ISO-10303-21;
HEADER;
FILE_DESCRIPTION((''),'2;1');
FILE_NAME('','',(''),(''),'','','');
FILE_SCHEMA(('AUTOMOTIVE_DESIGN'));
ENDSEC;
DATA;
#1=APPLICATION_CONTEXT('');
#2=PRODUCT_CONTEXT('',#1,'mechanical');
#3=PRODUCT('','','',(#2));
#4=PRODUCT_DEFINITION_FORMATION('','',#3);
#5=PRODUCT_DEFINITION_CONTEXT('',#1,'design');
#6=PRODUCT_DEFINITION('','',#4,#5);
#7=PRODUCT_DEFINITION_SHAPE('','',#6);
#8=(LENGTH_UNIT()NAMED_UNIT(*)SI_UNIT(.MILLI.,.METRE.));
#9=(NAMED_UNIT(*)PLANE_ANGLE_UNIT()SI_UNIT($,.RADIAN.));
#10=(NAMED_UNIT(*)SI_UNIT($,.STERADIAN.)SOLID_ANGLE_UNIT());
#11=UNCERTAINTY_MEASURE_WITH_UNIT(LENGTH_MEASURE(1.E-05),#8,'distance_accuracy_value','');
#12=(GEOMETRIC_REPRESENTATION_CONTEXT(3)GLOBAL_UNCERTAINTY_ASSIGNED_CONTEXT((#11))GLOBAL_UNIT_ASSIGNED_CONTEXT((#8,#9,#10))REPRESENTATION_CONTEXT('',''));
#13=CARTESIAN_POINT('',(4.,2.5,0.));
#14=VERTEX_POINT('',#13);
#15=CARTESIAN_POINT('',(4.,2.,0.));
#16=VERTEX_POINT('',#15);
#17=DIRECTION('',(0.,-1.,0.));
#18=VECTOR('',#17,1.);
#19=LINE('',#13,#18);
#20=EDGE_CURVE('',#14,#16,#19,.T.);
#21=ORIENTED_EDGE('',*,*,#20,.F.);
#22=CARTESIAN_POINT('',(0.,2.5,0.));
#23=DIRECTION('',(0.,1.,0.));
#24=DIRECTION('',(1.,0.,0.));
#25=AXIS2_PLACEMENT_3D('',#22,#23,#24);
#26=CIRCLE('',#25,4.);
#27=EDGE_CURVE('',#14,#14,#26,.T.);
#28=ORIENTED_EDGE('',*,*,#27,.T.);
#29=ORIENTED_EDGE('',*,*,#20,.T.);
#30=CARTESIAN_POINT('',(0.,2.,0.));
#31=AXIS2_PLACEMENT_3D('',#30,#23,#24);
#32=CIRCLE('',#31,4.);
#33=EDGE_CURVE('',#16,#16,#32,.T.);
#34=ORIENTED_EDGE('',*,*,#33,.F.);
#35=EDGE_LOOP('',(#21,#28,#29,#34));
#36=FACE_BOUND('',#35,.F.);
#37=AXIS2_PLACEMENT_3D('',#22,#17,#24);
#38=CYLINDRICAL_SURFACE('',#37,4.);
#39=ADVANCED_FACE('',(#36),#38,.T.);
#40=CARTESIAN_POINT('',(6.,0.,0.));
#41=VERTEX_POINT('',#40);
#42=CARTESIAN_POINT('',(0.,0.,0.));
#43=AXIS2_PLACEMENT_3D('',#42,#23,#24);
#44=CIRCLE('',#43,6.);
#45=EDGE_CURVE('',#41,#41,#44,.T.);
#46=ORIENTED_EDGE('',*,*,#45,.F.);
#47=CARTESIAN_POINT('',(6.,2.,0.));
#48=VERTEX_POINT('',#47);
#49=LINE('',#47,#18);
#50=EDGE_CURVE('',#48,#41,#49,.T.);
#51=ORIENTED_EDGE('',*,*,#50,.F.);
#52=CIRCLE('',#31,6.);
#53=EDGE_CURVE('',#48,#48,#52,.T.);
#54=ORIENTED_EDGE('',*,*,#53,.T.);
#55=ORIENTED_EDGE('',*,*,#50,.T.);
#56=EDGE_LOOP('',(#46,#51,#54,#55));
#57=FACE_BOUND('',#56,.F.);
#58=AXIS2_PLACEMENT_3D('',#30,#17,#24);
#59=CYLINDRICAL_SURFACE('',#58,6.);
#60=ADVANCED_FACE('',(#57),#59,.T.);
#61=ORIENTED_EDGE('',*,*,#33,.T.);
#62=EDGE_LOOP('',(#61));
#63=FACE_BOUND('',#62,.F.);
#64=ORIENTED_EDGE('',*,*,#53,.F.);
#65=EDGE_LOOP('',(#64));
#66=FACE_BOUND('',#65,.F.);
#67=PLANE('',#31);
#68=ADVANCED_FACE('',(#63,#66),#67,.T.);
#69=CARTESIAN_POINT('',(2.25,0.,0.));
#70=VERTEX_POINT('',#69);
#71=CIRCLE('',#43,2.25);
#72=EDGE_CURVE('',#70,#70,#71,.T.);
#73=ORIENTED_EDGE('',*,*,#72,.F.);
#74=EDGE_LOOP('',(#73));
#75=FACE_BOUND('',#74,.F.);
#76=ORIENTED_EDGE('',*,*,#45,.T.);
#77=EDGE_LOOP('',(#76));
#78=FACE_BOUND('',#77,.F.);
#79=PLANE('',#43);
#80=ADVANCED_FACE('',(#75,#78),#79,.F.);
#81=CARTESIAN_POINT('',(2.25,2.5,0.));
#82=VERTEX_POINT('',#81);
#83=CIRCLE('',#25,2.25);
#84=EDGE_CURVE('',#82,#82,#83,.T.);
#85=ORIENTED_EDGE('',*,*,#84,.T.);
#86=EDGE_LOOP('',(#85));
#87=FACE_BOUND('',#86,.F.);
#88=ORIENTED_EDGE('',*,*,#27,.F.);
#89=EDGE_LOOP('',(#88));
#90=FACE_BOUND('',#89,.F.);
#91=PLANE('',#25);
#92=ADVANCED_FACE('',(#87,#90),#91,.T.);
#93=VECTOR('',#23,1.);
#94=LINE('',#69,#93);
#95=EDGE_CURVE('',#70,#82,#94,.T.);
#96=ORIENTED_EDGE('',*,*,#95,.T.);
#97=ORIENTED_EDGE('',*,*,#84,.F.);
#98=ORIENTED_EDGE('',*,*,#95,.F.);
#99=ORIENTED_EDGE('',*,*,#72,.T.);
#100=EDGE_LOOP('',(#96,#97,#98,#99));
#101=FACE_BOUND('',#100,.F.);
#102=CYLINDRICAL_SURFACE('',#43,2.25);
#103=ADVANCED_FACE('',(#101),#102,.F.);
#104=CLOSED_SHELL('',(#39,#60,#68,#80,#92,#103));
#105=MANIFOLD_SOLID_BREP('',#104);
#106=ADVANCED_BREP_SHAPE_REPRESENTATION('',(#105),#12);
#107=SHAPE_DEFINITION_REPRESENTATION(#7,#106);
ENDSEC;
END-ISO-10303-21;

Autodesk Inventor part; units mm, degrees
ref_plane "YZ Plane" through (0, 0, 0) normal (1, 0, 0) x (0, 1, 0)
ref_plane "XZ Plane" through (0, 0, 0) normal (0, 1, 0) x (-1, 0, 0)
ref_plane "XY Plane" through (0, 0, 0) normal (0, 0, 1) x (1, 0, 0)
sketch "Sketch1" plane through (0, 0, 0) normal (0, 0, 1) x (1, 0, 0)
  line L0 (0, 0) -> (0, 4.5652) construction
  line L1 (2.25, 0) -> (2.25, 2.5)
  line L2 (2.25, 2.5) -> (4, 2.5)
  line L3 (4, 2.5) -> (4, 2)
  line L4 (4, 2) -> (6, 2)
  line L5 (6, 2) -> (6, 0)
  line L6 (6, 0) -> (2.25, 0)
  point P0 (4, 2.25)
  dimension "d0" = 2.25
  dimension "d1" = 4
  dimension "d2" = 0.5
  dimension "d3" = 6
  dimension "d4" = 2
revolve "Revolution1" add sketch "Sketch1" angle 360 about axis through (0, 0, 0) along (0, 1, 0)
properties part number "PivotWasher" material "ABS Plastic"
